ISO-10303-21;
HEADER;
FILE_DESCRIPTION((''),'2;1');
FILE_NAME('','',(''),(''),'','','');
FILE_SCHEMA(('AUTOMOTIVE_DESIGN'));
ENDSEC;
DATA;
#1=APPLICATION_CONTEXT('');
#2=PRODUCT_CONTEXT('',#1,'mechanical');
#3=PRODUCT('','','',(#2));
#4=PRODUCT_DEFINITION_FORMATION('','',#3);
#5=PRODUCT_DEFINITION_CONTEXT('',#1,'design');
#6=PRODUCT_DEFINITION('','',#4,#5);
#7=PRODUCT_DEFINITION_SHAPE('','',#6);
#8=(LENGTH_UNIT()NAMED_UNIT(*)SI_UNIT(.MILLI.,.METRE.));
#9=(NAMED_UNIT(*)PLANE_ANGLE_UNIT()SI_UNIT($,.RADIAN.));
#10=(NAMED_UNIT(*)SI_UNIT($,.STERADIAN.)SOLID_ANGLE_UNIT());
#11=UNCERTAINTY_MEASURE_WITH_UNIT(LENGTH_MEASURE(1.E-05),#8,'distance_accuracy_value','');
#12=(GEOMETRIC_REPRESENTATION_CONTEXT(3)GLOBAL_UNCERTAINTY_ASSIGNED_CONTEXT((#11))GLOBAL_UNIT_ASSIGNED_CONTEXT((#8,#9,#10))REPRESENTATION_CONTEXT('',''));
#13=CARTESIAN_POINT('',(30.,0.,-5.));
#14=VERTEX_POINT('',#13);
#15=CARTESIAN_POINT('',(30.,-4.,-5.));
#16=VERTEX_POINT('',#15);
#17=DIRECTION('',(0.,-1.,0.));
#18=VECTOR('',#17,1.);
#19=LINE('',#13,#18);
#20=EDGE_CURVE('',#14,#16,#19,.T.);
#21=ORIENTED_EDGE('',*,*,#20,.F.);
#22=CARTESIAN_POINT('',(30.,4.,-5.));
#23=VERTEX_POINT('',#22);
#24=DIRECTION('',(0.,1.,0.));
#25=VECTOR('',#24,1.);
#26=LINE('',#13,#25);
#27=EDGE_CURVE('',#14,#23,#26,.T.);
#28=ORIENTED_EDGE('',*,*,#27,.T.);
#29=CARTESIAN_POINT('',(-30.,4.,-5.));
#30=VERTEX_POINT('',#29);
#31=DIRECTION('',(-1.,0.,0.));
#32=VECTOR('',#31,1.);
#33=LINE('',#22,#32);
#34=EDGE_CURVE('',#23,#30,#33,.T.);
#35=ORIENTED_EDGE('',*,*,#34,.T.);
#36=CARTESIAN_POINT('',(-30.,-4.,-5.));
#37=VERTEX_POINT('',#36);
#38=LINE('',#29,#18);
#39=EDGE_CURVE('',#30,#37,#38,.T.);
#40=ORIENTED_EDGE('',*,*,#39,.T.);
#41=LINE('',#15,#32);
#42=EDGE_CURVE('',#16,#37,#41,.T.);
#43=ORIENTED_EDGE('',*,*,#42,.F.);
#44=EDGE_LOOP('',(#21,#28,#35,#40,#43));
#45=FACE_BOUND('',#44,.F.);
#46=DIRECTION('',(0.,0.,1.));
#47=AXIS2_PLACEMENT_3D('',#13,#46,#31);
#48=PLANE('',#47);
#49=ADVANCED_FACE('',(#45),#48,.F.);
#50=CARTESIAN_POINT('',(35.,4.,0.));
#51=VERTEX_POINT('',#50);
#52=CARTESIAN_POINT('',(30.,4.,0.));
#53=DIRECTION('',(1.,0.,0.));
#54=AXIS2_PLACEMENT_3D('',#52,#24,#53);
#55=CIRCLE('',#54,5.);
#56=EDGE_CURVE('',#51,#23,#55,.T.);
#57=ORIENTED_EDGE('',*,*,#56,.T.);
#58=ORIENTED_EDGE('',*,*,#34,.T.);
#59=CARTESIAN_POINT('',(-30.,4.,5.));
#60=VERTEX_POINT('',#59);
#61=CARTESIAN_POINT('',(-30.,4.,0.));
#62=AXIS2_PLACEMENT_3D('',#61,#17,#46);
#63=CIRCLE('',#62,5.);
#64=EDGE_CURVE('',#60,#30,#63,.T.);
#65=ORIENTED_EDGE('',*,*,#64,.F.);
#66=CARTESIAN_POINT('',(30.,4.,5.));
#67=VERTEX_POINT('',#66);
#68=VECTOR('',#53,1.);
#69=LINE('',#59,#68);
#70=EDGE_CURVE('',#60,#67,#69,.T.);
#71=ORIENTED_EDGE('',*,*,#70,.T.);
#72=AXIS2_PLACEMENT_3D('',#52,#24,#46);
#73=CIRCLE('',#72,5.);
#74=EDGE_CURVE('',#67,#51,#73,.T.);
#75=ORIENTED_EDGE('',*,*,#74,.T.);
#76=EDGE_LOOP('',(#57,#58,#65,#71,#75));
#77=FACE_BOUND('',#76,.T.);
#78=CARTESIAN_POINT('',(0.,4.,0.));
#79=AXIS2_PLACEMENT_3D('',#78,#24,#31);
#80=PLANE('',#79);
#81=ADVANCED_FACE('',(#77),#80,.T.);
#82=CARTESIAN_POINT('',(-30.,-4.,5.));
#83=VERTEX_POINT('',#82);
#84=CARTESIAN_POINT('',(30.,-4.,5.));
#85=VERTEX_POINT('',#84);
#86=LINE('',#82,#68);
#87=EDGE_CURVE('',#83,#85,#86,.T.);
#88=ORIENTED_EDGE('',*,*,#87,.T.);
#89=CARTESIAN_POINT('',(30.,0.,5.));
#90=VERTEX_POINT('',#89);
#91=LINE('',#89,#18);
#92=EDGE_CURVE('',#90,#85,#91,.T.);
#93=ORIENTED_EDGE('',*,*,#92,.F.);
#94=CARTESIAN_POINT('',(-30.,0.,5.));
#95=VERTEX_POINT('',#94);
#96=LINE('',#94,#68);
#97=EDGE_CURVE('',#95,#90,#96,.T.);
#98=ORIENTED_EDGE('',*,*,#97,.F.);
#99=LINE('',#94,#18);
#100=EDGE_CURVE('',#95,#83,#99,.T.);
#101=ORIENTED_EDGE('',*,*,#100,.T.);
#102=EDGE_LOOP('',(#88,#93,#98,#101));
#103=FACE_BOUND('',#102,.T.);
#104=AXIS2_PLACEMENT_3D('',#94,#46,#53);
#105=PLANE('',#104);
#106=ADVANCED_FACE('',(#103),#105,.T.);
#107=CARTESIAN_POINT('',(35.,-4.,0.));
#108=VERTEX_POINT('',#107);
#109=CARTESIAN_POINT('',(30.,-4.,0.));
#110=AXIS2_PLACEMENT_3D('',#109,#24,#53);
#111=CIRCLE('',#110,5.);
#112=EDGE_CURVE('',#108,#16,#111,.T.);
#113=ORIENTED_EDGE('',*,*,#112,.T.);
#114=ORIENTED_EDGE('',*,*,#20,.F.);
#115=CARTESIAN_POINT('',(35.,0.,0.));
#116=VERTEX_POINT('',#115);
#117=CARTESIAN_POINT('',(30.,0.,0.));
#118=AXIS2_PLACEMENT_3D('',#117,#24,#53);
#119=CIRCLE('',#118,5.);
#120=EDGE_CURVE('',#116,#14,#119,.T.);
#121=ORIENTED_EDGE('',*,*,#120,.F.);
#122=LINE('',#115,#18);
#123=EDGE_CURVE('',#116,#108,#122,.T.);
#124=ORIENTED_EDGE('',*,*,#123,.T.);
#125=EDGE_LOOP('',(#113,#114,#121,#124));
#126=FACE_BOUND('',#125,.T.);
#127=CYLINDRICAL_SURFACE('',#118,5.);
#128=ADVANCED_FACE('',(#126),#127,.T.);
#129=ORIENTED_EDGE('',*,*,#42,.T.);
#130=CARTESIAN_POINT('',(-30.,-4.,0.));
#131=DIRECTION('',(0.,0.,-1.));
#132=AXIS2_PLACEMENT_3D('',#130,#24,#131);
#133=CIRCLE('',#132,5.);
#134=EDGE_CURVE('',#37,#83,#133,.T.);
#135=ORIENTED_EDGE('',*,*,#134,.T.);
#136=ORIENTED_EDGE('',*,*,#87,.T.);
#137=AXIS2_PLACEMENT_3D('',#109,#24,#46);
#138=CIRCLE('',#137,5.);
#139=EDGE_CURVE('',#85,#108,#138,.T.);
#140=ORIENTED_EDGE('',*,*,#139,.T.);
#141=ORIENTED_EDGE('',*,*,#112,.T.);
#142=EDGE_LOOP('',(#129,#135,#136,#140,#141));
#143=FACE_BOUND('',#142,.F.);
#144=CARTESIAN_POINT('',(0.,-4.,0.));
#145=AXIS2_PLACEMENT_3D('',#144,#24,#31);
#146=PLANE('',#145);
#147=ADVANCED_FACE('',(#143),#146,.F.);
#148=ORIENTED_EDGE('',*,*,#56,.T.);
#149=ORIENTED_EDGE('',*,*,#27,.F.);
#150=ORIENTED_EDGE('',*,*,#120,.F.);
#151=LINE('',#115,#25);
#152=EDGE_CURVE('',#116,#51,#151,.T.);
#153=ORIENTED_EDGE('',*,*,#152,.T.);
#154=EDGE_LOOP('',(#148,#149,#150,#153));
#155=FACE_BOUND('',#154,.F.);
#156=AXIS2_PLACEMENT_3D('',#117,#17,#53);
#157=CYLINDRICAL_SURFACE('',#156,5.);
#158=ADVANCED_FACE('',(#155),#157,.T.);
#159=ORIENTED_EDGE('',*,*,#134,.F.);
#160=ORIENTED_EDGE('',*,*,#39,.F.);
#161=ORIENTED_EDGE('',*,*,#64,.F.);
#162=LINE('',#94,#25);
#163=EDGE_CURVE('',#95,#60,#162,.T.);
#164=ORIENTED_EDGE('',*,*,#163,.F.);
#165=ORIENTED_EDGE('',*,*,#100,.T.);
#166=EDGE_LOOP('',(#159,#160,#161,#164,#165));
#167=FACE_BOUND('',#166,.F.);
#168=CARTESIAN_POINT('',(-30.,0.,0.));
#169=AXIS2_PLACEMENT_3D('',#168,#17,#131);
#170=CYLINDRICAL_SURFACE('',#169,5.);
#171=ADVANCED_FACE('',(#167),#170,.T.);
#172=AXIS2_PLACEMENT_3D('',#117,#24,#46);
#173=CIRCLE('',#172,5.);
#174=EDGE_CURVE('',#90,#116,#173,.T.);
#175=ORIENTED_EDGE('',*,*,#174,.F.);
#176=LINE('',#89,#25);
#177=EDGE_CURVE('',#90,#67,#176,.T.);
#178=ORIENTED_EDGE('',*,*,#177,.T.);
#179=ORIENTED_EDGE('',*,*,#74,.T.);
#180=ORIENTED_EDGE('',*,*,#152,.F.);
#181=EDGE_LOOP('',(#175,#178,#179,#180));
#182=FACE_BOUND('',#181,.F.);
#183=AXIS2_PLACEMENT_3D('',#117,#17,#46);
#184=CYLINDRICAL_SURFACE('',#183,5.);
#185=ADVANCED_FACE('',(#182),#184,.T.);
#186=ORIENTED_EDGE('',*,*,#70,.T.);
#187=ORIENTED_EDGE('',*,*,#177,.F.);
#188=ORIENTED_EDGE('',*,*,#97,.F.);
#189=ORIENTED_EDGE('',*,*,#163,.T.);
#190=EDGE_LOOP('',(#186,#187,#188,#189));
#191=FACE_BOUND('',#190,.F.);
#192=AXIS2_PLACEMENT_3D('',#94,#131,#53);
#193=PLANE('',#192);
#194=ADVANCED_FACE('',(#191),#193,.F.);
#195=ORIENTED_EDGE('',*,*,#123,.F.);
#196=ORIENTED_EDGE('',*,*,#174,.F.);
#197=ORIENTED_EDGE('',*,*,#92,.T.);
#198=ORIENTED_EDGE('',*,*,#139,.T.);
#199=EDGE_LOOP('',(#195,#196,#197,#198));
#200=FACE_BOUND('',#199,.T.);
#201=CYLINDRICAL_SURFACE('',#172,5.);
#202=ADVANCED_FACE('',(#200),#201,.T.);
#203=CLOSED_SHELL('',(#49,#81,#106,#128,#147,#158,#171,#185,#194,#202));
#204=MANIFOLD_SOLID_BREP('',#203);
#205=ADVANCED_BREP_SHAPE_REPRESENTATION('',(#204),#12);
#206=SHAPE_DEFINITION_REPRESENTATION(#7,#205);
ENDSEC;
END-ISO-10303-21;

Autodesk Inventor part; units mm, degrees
sketch "Sketch_1" plane through (0, 0, 0) normal (0, 1, 0) x (-1, 0, 0)
  arc A0 (35, 0) -> (30, 5) centre (30, 0) ccw
  line L0 (30, 5) -> (-30, 5)
  arc A1 (-30, 5) -> (-35, 0) centre (-30, 0) ccw
  arc A2 (-35, 0) -> (-30, -5) centre (-30, 0) ccw
  line L1 (-30, -5) -> (30, -5)
  arc A3 (30, -5) -> (35, 0) centre (30, 0) ccw
extrude "Extrusion1" add sketch "Sketch_1" along normal mid plane 8
ref_plane "bp_b_oben_XY" through (30, 0, -5) normal (0, 1, 0) x (1, 0, 0)
ref_plane "bp_b_oben_YZ" through (30, 0, -5) normal (1, 0, 0) x (0, 0, -1)
ref_plane "bp_b_oben_ZX" through (30, 0, -5) normal (0, 0, -1) x (0, 1, 0)
ref_plane "bp_b_unten_XY" through (30, 0, 5) normal (0, 1, 0) x (1, 0, 0)
ref_plane "bp_b_unten_YZ" through (30, 0, 5) normal (1, 0, 0) x (0, 0, -1)
ref_plane "bp_b_unten_ZX" through (30, 0, 5) normal (0, 0, -1) x (0, 1, 0)
ref_plane "bp_h_oben_XY" through (0, 4, 0) normal (0, 0, 1) x (1, 0, 0)
ref_plane "bp_h_oben_YZ" through (0, 4, 0) normal (1, 0, 0) x (0, 1, 0)
ref_plane "bp_h_oben_ZX" through (0, 4, 0) normal (0, 1, 0) x (0, 0, 1)
ref_plane "bp_h_unten_XY" through (0, -4, 0) normal (0, 0, 1) x (1, 0, 0)
ref_plane "bp_h_unten_YZ" through (0, -4, 0) normal (1, 0, 0) x (0, 1, 0)
ref_plane "bp_h_unten_ZX" through (0, -4, 0) normal (0, 1, 0) x (0, 0, 1)
ref_plane "bp_l_links_XY" through (-35, 0, 0) normal (0, 1, 0) x (1, 0, 0)
ref_plane "bp_l_links_YZ" through (-35, 0, 0) normal (1, 0, 0) x (0, 0, -1)
ref_plane "bp_l_links_ZX" through (-35, 0, 0) normal (0, 0, -1) x (0, 1, 0)
ref_plane "bp_l_rechts_XY" through (35, 0, 0) normal (0, 1, 0) x (1, 0, 0)
ref_plane "bp_l_rechts_YZ" through (35, 0, 0) normal (1, 0, 0) x (0, 0, -1)
ref_plane "bp_l_rechts_ZX" through (35, 0, 0) normal (0, 0, -1) x (0, 1, 0)
properties part number "K0696.110X70"
